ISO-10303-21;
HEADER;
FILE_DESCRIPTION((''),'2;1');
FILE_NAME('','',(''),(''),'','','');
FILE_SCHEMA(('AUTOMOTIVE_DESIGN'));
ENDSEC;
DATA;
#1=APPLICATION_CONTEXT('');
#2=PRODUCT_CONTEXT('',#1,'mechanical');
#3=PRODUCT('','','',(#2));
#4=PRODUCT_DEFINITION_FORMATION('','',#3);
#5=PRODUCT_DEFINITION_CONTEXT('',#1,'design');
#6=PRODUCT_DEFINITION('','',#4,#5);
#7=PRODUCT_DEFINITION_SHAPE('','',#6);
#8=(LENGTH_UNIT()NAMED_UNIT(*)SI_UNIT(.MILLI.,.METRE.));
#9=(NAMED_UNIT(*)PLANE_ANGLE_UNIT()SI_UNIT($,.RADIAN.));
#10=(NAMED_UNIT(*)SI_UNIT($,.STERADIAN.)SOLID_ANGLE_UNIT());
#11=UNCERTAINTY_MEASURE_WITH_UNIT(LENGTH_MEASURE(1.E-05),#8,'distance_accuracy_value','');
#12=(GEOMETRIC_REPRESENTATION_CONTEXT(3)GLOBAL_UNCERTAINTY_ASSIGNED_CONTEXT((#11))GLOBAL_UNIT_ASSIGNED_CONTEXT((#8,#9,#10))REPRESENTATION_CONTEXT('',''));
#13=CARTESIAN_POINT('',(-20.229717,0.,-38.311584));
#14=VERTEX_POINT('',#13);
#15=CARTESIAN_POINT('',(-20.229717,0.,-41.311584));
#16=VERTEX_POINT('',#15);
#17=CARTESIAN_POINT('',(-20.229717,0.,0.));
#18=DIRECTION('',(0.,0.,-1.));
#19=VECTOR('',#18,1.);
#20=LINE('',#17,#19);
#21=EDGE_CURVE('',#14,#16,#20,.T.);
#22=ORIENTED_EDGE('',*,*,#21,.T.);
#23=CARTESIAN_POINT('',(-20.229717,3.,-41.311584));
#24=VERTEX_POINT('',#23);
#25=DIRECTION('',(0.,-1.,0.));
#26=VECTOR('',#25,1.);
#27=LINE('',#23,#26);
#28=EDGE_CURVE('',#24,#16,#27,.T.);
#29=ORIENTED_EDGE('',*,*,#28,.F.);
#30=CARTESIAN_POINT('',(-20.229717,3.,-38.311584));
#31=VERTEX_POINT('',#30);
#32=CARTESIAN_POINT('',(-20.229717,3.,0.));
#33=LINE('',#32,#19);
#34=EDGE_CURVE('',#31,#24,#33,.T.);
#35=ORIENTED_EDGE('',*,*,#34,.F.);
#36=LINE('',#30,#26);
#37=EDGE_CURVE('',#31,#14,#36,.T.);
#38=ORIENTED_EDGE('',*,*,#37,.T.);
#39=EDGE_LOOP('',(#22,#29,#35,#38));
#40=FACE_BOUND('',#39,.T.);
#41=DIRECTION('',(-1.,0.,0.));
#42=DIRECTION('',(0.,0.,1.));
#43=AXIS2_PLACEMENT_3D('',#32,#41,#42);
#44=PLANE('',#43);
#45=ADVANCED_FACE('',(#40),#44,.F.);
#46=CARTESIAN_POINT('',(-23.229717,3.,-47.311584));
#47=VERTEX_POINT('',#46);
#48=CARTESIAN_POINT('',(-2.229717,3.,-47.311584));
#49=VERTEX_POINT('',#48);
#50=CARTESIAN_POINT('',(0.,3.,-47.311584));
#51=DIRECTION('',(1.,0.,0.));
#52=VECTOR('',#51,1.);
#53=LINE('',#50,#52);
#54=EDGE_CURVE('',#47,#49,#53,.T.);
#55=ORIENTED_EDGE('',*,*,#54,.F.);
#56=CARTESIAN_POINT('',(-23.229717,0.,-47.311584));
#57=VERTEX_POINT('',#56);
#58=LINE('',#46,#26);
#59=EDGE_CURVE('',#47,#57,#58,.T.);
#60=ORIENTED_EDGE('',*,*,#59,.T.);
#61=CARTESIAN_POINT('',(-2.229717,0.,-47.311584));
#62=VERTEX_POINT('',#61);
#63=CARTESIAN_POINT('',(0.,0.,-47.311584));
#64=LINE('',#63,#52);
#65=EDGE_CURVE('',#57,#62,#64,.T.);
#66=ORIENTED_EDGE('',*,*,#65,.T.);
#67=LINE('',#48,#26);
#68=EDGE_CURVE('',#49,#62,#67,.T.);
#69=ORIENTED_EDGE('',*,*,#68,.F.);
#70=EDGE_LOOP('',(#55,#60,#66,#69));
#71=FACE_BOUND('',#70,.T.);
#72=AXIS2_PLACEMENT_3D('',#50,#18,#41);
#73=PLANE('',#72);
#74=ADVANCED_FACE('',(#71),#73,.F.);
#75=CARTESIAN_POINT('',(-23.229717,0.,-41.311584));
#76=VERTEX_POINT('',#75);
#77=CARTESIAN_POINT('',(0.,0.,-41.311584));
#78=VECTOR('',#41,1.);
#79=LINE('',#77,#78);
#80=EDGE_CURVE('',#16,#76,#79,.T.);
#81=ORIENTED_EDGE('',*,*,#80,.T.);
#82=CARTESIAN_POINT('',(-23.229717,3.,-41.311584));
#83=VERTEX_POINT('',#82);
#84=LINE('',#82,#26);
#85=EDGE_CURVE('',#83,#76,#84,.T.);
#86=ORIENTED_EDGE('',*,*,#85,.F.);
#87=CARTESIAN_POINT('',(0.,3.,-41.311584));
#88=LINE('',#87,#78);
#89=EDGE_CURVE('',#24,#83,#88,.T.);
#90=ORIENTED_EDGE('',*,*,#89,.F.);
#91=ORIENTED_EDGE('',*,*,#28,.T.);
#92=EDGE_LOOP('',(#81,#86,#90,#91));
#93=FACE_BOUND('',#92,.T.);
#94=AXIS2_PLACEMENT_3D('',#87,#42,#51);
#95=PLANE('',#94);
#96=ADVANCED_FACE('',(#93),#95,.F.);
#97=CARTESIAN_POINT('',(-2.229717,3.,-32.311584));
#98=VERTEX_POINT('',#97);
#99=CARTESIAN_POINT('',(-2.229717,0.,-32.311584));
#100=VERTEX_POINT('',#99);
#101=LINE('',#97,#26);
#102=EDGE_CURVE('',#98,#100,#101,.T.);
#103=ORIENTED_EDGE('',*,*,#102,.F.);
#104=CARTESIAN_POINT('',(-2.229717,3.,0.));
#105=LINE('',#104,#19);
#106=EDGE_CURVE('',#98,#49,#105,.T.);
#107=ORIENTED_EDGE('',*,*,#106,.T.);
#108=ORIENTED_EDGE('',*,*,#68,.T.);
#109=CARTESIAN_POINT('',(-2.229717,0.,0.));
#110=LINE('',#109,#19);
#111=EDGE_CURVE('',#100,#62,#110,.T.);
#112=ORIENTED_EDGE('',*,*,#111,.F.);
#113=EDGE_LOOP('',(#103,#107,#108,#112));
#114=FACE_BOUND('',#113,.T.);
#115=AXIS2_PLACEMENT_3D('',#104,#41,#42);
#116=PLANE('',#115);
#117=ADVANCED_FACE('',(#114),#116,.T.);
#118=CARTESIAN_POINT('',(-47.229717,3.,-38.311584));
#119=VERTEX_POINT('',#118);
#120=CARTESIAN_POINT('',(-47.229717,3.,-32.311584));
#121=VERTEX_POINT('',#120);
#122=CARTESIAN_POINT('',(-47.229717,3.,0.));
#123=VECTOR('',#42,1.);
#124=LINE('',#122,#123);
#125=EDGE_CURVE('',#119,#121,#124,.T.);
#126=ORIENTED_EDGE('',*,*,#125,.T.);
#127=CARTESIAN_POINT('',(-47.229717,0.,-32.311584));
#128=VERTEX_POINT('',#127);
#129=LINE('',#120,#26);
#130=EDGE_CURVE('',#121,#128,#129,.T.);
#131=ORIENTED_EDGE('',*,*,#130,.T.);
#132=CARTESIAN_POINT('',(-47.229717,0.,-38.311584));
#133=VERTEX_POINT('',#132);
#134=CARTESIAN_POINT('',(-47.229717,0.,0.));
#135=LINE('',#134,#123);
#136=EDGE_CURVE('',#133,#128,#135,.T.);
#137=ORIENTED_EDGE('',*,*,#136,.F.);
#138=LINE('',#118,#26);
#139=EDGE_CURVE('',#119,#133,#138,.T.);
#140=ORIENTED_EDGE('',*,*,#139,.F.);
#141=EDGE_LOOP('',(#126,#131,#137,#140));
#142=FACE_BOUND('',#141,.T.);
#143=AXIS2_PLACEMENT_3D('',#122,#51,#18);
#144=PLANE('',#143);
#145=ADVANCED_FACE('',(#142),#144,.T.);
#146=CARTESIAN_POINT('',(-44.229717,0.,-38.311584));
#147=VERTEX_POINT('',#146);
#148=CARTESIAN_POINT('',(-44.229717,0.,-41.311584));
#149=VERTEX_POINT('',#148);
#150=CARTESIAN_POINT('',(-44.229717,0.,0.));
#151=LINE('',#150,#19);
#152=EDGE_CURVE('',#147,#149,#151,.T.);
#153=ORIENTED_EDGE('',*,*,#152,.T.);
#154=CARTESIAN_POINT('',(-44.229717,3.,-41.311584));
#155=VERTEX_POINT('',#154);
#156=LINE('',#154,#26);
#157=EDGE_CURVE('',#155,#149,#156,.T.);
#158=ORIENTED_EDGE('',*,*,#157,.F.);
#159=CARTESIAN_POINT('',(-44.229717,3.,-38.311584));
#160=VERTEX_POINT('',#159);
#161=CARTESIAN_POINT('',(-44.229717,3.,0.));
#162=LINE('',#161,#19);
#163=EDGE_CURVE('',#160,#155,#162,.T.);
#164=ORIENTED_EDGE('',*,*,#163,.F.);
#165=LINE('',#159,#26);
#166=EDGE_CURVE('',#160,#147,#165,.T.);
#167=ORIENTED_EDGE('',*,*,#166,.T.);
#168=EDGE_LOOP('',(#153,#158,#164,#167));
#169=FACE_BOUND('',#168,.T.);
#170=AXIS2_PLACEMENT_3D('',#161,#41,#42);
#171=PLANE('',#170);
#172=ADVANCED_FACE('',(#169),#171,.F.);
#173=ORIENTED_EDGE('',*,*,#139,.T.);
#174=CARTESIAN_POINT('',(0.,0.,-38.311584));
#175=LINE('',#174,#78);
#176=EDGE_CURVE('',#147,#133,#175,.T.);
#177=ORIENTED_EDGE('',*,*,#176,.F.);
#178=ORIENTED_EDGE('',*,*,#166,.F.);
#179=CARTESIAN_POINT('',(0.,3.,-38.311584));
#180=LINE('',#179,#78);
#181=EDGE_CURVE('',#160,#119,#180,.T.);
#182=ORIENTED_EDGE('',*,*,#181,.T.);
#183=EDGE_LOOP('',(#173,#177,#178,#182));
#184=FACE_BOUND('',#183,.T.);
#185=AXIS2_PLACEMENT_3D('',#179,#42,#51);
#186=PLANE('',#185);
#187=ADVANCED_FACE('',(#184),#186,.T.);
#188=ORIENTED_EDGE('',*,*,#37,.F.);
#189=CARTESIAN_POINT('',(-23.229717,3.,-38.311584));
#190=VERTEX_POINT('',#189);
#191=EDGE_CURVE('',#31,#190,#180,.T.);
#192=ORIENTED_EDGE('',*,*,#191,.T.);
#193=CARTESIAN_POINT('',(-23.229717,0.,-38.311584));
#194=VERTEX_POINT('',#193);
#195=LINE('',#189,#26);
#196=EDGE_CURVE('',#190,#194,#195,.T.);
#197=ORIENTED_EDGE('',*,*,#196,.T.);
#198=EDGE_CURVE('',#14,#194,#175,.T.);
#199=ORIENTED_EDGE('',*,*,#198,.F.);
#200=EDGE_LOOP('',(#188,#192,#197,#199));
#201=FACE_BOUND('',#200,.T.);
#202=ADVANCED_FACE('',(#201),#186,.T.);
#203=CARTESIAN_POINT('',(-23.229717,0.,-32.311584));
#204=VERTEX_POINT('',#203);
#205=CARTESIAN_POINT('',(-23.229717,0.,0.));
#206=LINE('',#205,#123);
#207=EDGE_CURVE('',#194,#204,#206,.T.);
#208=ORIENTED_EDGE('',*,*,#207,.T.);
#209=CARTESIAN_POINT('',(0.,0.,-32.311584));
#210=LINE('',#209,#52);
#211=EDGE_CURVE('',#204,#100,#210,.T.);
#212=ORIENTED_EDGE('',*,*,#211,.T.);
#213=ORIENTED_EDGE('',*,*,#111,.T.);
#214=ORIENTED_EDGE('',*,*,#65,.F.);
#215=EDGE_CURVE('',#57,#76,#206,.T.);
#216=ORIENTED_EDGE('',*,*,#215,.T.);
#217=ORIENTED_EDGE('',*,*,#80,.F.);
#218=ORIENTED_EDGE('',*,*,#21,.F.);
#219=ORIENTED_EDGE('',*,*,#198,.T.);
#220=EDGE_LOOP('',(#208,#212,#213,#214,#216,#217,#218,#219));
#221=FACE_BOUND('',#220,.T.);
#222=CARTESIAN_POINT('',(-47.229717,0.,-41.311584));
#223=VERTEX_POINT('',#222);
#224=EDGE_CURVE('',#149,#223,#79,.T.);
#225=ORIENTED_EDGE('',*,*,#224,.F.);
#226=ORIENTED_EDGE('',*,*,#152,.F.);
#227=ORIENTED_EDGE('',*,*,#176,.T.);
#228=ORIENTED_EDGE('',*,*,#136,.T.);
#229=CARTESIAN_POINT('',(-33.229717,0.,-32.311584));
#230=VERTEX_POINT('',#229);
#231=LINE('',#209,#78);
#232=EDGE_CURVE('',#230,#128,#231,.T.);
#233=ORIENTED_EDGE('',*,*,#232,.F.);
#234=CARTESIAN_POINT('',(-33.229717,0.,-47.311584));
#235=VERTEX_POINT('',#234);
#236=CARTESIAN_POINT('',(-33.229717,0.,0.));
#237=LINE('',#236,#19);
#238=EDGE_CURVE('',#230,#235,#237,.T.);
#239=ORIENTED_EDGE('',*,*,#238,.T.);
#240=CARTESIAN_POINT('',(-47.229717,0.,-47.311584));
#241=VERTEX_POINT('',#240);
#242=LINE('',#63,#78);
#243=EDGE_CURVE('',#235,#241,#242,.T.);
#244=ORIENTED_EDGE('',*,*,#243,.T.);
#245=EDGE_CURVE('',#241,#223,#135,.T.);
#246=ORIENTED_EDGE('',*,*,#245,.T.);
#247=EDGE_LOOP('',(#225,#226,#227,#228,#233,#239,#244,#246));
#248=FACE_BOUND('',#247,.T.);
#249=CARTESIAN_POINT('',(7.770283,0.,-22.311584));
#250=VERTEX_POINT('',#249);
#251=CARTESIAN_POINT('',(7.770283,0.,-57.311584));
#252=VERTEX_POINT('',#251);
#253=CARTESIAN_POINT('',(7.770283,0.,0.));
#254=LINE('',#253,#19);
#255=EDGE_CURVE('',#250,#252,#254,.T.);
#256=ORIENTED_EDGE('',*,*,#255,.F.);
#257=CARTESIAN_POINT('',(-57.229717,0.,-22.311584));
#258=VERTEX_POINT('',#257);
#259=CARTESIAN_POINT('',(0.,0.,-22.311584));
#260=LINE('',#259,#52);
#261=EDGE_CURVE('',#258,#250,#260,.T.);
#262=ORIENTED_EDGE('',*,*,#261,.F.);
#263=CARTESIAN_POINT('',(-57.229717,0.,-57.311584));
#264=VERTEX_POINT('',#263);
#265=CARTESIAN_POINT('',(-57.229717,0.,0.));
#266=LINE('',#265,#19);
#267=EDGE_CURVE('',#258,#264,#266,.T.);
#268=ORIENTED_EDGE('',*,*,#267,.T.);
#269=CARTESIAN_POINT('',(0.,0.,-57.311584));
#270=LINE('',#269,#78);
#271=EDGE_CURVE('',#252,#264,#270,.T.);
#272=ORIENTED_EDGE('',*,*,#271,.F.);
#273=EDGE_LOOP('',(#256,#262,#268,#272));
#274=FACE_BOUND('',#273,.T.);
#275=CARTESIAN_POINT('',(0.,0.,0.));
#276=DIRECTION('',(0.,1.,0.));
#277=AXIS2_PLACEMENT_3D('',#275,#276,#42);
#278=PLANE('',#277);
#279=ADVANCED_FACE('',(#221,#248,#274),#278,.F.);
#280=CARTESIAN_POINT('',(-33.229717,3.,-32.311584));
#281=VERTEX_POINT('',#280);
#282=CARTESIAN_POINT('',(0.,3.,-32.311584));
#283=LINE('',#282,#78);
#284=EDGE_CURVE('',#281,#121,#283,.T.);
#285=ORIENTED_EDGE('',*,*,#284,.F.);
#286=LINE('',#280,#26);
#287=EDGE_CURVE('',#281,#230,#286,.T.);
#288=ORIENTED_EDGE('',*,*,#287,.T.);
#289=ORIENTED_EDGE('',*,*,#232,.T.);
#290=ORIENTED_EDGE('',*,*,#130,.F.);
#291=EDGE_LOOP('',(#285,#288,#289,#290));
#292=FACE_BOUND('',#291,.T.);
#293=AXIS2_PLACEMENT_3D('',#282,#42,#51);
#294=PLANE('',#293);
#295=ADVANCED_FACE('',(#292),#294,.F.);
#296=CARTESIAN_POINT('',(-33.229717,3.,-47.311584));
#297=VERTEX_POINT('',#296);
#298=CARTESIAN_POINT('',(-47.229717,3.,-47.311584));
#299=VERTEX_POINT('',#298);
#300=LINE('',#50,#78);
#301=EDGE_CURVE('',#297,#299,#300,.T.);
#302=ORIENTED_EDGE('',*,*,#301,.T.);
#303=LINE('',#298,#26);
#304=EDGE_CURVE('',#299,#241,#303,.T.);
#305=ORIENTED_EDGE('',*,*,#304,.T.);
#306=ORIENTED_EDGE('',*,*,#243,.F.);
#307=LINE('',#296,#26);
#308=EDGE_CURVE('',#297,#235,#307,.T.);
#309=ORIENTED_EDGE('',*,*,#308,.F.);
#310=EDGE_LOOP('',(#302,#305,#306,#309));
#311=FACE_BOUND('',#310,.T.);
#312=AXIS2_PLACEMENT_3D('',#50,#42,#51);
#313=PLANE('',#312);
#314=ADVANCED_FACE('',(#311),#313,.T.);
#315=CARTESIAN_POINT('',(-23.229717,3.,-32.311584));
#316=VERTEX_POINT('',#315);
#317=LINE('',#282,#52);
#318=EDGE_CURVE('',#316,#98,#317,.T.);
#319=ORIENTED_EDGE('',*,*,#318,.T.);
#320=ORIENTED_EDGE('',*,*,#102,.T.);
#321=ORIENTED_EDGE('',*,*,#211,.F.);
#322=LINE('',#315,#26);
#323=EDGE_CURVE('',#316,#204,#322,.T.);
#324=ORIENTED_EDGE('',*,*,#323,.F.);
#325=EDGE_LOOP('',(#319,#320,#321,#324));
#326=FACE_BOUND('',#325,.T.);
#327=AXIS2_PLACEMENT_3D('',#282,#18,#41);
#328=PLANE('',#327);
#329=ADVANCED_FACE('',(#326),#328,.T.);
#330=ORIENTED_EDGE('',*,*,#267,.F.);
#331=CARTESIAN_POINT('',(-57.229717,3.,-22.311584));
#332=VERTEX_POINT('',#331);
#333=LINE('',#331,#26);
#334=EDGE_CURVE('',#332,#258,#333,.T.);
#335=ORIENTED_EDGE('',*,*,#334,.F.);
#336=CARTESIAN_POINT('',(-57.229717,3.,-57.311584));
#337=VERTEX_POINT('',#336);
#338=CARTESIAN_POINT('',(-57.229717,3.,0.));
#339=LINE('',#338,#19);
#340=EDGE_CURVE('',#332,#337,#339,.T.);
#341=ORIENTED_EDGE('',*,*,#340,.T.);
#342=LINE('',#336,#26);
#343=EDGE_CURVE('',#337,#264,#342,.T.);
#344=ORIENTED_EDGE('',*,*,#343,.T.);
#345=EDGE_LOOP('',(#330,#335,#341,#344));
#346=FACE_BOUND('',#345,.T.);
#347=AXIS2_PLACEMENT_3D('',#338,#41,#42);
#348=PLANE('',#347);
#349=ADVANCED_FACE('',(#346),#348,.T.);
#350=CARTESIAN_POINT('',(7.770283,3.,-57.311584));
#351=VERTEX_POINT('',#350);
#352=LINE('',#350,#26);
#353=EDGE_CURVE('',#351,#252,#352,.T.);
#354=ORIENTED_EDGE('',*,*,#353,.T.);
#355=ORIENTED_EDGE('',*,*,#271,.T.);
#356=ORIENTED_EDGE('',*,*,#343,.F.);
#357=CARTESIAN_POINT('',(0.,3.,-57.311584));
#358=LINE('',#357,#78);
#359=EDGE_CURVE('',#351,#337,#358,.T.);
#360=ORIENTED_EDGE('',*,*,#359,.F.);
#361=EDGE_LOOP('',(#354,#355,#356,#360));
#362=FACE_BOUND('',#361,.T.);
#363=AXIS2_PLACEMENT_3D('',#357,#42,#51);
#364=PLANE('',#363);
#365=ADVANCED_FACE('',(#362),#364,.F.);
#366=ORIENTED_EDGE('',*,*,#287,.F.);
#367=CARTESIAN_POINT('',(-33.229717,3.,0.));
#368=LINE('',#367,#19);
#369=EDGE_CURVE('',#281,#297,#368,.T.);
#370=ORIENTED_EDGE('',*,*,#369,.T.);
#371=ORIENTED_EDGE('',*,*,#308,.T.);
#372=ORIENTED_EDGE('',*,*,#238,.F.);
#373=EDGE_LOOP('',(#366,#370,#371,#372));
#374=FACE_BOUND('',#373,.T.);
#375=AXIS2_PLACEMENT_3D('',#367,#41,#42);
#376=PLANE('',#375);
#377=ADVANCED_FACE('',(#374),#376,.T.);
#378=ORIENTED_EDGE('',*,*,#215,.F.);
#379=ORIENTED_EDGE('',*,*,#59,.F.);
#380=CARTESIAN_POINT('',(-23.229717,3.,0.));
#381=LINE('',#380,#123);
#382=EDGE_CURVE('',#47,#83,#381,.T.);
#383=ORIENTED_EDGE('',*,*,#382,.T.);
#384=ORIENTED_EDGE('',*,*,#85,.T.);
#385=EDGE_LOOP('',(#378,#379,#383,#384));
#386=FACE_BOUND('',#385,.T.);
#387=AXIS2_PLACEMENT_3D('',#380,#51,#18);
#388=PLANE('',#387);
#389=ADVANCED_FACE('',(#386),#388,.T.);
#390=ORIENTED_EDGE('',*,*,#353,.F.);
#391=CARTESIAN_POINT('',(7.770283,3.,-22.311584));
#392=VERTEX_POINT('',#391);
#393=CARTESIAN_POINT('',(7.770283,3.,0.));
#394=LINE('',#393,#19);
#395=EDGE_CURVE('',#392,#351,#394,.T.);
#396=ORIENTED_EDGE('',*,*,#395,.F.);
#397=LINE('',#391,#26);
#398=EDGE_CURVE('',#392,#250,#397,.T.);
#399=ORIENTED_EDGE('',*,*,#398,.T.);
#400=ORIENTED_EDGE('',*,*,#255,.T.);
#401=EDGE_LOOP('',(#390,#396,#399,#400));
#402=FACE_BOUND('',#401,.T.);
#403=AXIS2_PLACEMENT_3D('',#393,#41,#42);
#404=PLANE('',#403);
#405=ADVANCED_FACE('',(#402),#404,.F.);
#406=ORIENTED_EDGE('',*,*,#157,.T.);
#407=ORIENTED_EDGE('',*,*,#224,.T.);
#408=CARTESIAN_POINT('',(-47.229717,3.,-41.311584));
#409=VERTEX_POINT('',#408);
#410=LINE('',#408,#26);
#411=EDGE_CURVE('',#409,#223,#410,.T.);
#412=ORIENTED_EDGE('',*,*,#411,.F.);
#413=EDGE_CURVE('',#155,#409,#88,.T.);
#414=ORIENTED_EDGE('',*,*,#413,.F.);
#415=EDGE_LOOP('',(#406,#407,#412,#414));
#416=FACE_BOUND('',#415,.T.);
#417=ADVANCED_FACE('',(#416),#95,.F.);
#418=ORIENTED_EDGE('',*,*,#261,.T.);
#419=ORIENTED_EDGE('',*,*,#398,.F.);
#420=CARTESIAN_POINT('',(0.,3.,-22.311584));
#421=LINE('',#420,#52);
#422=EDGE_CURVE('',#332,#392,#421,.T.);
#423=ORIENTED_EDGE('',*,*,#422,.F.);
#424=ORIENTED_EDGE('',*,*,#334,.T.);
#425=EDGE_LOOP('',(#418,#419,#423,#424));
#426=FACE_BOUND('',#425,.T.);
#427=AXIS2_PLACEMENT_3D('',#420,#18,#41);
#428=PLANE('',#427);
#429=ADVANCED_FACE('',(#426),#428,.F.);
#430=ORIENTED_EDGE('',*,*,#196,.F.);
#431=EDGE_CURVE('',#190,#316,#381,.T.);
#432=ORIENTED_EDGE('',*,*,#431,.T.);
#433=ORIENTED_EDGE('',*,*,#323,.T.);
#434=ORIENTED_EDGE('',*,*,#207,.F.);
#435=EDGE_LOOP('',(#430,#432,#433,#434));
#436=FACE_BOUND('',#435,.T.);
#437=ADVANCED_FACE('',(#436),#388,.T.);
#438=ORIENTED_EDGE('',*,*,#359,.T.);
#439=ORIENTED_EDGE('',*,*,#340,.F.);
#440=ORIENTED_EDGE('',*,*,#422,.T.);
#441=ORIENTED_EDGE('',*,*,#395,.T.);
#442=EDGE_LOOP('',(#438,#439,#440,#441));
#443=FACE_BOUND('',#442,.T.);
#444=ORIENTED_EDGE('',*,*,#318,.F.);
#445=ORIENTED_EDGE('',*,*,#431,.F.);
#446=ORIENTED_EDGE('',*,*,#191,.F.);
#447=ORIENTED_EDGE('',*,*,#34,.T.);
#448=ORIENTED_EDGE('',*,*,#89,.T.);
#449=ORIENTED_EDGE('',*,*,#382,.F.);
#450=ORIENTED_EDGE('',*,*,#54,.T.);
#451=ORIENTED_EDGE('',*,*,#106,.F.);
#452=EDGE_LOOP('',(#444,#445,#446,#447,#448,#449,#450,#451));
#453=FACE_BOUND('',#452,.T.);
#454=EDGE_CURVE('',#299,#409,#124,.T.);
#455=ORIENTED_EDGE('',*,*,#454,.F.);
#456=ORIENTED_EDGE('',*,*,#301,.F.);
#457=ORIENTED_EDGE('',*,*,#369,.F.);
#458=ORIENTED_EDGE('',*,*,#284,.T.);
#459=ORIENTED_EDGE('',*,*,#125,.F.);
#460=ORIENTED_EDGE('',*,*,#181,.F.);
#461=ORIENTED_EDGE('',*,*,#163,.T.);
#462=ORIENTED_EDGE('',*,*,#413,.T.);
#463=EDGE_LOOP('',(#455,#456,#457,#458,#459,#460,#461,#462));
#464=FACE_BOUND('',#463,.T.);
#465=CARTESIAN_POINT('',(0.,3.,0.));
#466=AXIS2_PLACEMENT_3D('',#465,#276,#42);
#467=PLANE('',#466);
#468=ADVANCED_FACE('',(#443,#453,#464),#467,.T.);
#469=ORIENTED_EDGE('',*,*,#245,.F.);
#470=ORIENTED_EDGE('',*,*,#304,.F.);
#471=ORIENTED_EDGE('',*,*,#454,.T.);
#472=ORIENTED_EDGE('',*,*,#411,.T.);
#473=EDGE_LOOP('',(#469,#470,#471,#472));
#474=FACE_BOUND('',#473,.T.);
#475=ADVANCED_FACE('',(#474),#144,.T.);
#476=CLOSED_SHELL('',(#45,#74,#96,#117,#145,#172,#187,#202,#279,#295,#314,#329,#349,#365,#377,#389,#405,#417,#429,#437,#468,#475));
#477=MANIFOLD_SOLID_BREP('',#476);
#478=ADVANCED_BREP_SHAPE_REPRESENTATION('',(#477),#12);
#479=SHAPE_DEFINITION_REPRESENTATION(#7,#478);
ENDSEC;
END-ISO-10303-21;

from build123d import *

# Parameters (mm, degrees)
SKETCH1_W           = 3
SKETCH1_H           = 3
SKETCH1_W_2         = 14
SKETCH1_H_2         = 10
BOSS_EXTRUDE1_DEPTH = 3


with BuildPart() as part:
    # Sketch1 → Boss-Extrude1 (new body)
    with BuildSketch(Plane(origin=(0, 0, 0), x_dir=(1, 0, 0), z_dir=(0, 1, 0))):
        Polygon((-2.229716691, 32.311583722), (-23.229716691, 32.311583722), (-23.229716691, 22.311583722), (7.770283309, 22.311583722), (7.770283309, 57.311583722), (-23.229716691, 57.311583722), (-23.229716691, 47.311583722), (-2.229716691, 47.311583722), align=None)
        with Locations((-21.729716691, 39.811583722)):
            Rectangle(SKETCH1_W, SKETCH1_H)
        Polygon((-23.229716691, 32.311583722), (-23.229716691, 34.311583722), (-23.229716691, 38.311583722), (-33.229716691, 38.311583722), (-33.229716691, 32.311583722), (-33.229716691, 22.311583722), (-23.229716691, 22.311583722), align=None)
        Polygon((-33.229716691, 38.311583722), (-23.229716691, 38.311583722), (-23.229716691, 41.311583722), (-23.229716691, 45.311583722), (-23.229716691, 47.311583722), (-23.229716691, 57.311583722), (-33.229716691, 57.311583722), (-33.229716691, 47.311583722), align=None)
        with Locations((-40.229716691, 52.311583722)):
            Rectangle(SKETCH1_W_2, SKETCH1_H_2)
        with Locations((-40.229716691, 27.311583722)):
            Rectangle(SKETCH1_W_2, SKETCH1_H_2)
        Polygon((-47.229716691, 22.311583722), (-47.229716691, 32.311583722), (-47.229716691, 34.311583722), (-47.229716691, 38.311583722), (-57.229716691, 38.311583722), (-57.229716691, 22.311583722), align=None)
        Polygon((-47.229716691, 45.311583722), (-47.229716691, 47.311583722), (-47.229716691, 57.311583722), (-57.229716691, 57.311583722), (-57.229716691, 38.311583722), (-47.229716691, 38.311583722), (-47.229716691, 41.311583722), align=None)
        with Locations((-45.729716691, 39.811583722)):
            Rectangle(SKETCH1_W, SKETCH1_H)
    extrude(amount=BOSS_EXTRUDE1_DEPTH)


solid = part.part
